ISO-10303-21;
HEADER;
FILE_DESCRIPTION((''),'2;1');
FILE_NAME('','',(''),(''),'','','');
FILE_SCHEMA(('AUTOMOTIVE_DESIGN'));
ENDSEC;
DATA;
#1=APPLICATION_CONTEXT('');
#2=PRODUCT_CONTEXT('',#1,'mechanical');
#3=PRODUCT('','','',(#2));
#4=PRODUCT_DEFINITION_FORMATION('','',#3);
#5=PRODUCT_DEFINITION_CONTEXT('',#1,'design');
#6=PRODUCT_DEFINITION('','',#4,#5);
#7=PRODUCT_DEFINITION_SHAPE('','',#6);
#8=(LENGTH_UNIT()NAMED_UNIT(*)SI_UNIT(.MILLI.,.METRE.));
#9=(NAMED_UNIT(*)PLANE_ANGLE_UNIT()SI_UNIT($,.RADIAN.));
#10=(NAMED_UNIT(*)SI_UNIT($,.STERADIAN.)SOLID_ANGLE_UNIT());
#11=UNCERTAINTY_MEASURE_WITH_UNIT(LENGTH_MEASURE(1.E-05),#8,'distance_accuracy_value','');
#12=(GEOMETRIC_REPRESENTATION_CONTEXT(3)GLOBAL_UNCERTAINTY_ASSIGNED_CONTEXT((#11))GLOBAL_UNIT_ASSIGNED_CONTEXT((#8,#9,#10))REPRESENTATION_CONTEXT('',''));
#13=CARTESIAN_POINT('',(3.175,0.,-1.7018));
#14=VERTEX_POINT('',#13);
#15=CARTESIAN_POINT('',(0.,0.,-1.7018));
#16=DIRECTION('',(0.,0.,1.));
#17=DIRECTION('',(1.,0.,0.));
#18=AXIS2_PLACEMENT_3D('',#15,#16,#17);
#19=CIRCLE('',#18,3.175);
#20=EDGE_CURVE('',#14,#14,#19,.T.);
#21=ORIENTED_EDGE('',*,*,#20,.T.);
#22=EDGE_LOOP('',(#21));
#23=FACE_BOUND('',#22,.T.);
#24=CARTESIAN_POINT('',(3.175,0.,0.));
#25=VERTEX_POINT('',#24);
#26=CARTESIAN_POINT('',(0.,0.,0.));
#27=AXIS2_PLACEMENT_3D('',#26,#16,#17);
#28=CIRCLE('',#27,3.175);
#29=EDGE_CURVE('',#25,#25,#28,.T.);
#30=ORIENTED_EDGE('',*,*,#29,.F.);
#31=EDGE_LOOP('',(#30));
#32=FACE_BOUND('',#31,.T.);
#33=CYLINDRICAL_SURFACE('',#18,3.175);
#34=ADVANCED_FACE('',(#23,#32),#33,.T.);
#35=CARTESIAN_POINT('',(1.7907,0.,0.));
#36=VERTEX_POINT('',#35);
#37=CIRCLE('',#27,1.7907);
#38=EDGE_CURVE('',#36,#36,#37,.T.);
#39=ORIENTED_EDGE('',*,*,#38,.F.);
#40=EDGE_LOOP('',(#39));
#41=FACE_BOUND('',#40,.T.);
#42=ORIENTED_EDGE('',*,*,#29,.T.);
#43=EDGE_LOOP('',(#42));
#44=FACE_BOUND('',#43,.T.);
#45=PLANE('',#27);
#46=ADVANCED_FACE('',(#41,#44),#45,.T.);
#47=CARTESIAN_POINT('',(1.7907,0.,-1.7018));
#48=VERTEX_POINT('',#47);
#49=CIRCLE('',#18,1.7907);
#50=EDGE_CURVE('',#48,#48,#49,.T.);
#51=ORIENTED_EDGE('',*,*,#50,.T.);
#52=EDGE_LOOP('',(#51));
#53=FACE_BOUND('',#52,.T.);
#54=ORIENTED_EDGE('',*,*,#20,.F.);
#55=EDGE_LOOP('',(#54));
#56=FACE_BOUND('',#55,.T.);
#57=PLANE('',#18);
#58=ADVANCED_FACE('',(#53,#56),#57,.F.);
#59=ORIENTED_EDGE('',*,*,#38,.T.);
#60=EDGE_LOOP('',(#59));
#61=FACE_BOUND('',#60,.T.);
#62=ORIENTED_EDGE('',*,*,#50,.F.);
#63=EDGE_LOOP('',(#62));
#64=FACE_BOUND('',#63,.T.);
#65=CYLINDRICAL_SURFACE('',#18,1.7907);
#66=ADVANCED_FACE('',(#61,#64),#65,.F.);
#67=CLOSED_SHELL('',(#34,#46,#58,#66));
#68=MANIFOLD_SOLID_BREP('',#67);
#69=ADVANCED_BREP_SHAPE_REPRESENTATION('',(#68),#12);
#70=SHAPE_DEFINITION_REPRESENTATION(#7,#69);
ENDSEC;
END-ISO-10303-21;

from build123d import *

# Parameters (mm, degrees)
SKETCH1_R      = 3.175
SKETCH1_R_2    = 1.7907
EXTRUDE1_DEPTH = 1.7018


with BuildPart() as part:
    # Sketch1 → Extrude1 (new body)
    with BuildSketch(Plane.XY):
        Circle(SKETCH1_R)
        Circle(SKETCH1_R_2, mode=Mode.SUBTRACT)
    extrude(amount=-EXTRUDE1_DEPTH)


solid = part.part
